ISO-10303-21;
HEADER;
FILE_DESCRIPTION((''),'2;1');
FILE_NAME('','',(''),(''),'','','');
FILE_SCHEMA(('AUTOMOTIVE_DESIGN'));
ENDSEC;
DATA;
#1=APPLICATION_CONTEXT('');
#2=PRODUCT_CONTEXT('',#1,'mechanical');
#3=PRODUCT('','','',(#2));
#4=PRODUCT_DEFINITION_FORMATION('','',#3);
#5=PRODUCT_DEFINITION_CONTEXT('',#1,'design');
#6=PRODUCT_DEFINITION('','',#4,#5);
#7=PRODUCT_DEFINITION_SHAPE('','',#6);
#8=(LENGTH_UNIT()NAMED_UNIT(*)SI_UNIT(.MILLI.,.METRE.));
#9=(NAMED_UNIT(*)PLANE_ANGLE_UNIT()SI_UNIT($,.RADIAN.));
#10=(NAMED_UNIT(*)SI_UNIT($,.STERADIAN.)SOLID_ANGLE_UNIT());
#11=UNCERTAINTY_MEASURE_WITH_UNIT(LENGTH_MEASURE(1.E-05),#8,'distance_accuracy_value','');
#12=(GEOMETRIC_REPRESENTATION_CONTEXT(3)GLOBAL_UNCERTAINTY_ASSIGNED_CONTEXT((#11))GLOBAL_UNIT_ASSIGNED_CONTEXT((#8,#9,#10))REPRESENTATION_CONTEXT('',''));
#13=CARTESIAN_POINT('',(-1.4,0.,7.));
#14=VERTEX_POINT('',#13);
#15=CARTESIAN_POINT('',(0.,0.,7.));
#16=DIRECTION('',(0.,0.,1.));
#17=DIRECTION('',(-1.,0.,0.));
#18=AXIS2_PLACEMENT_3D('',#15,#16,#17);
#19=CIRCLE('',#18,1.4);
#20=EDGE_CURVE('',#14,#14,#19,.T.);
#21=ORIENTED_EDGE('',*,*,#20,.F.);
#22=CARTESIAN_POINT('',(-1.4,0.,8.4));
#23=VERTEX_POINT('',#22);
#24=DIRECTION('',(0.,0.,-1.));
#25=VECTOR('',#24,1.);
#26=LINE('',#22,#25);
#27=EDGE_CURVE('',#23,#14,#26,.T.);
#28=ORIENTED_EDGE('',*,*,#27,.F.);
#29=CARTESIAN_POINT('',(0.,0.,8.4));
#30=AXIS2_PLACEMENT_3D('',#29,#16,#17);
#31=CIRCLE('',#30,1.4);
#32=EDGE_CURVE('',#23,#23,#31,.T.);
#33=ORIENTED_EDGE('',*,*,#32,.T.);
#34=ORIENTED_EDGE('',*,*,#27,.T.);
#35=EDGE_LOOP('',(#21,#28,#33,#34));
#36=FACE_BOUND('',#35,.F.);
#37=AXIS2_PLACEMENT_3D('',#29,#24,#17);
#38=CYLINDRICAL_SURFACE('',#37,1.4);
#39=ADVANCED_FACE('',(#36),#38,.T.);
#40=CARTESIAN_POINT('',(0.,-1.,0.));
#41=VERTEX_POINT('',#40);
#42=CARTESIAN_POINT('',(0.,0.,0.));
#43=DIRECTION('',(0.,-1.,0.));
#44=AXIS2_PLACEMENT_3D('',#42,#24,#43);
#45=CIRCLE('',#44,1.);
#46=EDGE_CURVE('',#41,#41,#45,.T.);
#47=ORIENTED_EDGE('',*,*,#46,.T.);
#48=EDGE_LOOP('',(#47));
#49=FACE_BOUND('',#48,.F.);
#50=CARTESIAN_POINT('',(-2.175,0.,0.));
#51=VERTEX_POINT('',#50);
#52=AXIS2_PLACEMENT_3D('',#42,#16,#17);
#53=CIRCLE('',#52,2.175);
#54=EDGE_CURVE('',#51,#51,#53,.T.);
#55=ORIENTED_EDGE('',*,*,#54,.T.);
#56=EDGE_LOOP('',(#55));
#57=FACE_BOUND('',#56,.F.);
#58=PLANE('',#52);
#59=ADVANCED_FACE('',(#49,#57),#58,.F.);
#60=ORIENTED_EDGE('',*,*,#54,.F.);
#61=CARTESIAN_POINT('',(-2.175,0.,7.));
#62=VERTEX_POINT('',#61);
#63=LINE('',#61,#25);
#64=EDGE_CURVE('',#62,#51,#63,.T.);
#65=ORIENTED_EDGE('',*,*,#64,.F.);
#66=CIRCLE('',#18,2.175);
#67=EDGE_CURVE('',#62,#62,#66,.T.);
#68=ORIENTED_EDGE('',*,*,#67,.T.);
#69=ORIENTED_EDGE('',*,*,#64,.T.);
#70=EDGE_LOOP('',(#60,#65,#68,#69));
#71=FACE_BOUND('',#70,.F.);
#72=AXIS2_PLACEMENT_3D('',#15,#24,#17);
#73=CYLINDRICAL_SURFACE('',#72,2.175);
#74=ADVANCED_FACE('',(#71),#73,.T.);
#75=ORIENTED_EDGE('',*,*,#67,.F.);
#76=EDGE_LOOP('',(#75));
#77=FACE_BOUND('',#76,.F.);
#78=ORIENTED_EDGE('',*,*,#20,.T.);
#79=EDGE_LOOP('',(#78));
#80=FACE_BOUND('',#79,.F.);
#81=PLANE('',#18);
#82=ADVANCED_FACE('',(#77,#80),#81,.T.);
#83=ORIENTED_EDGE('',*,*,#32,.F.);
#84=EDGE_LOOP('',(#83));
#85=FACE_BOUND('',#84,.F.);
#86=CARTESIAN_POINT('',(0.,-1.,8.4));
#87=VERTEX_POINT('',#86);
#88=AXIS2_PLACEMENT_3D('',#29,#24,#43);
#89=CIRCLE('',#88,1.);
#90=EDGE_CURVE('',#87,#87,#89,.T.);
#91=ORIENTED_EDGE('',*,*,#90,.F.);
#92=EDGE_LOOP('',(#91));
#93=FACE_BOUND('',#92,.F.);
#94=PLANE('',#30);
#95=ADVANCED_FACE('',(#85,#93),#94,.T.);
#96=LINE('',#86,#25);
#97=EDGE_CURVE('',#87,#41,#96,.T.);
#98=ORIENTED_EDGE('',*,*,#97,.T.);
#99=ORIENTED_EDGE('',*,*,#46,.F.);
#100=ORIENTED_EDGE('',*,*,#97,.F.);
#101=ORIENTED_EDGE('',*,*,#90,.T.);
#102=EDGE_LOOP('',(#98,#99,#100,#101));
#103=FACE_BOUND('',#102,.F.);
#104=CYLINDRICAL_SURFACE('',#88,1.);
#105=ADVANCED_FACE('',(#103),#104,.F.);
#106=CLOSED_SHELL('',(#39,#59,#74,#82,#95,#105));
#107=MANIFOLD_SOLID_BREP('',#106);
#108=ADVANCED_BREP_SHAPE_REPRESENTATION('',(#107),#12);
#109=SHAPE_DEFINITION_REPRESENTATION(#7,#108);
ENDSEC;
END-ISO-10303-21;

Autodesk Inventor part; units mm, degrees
ref_plane "YZ Plane" through (0, 0, 0) normal (1, 0, 0) x (0, 1, 0)
ref_plane "XZ Plane" through (0, 0, 0) normal (0, 1, 0) x (-1, 0, 0)
ref_plane "XY Plane" through (0, 0, 0) normal (0, 0, 1) x (1, 0, 0)
sketch "Sketch1" plane through (0, 0, 0) normal (0, 1, 0) x (-1, 0, 0)
  line L0 (0, 0) -> (0, 8.4)
  line L1 (0, 8.4) -> (1.4, 8.4)
  line L2 (1.4, 8.4) -> (1.4, 7)
  line L3 (1.4, 7) -> (2.175, 7)
  line L4 (2.175, 7) -> (2.175, 0)
  line L5 (2.175, 0) -> (0, 0)
  line L6 (0, -1.68) -> (0, 10.08) projected
  dimension "d0" = 2.175
  dimension "d1" = 7
  dimension "d2" = 1.4
  dimension "d3" = 1.4
revolve "Revolution1" add sketch "Sketch1" angle 360 about axis through (0, 0, -10) along (0, 0, 1)
hole "Hole1" at (0, 0, 8.4) direction (0, 0, -1) diameter 2 end through all
thread "Thread1" size "M2x0.4" class "6H" standard "ANSI Metric M Profile" full length
properties part number "Standoff 7mm M2 Wurth 9774070243R"
